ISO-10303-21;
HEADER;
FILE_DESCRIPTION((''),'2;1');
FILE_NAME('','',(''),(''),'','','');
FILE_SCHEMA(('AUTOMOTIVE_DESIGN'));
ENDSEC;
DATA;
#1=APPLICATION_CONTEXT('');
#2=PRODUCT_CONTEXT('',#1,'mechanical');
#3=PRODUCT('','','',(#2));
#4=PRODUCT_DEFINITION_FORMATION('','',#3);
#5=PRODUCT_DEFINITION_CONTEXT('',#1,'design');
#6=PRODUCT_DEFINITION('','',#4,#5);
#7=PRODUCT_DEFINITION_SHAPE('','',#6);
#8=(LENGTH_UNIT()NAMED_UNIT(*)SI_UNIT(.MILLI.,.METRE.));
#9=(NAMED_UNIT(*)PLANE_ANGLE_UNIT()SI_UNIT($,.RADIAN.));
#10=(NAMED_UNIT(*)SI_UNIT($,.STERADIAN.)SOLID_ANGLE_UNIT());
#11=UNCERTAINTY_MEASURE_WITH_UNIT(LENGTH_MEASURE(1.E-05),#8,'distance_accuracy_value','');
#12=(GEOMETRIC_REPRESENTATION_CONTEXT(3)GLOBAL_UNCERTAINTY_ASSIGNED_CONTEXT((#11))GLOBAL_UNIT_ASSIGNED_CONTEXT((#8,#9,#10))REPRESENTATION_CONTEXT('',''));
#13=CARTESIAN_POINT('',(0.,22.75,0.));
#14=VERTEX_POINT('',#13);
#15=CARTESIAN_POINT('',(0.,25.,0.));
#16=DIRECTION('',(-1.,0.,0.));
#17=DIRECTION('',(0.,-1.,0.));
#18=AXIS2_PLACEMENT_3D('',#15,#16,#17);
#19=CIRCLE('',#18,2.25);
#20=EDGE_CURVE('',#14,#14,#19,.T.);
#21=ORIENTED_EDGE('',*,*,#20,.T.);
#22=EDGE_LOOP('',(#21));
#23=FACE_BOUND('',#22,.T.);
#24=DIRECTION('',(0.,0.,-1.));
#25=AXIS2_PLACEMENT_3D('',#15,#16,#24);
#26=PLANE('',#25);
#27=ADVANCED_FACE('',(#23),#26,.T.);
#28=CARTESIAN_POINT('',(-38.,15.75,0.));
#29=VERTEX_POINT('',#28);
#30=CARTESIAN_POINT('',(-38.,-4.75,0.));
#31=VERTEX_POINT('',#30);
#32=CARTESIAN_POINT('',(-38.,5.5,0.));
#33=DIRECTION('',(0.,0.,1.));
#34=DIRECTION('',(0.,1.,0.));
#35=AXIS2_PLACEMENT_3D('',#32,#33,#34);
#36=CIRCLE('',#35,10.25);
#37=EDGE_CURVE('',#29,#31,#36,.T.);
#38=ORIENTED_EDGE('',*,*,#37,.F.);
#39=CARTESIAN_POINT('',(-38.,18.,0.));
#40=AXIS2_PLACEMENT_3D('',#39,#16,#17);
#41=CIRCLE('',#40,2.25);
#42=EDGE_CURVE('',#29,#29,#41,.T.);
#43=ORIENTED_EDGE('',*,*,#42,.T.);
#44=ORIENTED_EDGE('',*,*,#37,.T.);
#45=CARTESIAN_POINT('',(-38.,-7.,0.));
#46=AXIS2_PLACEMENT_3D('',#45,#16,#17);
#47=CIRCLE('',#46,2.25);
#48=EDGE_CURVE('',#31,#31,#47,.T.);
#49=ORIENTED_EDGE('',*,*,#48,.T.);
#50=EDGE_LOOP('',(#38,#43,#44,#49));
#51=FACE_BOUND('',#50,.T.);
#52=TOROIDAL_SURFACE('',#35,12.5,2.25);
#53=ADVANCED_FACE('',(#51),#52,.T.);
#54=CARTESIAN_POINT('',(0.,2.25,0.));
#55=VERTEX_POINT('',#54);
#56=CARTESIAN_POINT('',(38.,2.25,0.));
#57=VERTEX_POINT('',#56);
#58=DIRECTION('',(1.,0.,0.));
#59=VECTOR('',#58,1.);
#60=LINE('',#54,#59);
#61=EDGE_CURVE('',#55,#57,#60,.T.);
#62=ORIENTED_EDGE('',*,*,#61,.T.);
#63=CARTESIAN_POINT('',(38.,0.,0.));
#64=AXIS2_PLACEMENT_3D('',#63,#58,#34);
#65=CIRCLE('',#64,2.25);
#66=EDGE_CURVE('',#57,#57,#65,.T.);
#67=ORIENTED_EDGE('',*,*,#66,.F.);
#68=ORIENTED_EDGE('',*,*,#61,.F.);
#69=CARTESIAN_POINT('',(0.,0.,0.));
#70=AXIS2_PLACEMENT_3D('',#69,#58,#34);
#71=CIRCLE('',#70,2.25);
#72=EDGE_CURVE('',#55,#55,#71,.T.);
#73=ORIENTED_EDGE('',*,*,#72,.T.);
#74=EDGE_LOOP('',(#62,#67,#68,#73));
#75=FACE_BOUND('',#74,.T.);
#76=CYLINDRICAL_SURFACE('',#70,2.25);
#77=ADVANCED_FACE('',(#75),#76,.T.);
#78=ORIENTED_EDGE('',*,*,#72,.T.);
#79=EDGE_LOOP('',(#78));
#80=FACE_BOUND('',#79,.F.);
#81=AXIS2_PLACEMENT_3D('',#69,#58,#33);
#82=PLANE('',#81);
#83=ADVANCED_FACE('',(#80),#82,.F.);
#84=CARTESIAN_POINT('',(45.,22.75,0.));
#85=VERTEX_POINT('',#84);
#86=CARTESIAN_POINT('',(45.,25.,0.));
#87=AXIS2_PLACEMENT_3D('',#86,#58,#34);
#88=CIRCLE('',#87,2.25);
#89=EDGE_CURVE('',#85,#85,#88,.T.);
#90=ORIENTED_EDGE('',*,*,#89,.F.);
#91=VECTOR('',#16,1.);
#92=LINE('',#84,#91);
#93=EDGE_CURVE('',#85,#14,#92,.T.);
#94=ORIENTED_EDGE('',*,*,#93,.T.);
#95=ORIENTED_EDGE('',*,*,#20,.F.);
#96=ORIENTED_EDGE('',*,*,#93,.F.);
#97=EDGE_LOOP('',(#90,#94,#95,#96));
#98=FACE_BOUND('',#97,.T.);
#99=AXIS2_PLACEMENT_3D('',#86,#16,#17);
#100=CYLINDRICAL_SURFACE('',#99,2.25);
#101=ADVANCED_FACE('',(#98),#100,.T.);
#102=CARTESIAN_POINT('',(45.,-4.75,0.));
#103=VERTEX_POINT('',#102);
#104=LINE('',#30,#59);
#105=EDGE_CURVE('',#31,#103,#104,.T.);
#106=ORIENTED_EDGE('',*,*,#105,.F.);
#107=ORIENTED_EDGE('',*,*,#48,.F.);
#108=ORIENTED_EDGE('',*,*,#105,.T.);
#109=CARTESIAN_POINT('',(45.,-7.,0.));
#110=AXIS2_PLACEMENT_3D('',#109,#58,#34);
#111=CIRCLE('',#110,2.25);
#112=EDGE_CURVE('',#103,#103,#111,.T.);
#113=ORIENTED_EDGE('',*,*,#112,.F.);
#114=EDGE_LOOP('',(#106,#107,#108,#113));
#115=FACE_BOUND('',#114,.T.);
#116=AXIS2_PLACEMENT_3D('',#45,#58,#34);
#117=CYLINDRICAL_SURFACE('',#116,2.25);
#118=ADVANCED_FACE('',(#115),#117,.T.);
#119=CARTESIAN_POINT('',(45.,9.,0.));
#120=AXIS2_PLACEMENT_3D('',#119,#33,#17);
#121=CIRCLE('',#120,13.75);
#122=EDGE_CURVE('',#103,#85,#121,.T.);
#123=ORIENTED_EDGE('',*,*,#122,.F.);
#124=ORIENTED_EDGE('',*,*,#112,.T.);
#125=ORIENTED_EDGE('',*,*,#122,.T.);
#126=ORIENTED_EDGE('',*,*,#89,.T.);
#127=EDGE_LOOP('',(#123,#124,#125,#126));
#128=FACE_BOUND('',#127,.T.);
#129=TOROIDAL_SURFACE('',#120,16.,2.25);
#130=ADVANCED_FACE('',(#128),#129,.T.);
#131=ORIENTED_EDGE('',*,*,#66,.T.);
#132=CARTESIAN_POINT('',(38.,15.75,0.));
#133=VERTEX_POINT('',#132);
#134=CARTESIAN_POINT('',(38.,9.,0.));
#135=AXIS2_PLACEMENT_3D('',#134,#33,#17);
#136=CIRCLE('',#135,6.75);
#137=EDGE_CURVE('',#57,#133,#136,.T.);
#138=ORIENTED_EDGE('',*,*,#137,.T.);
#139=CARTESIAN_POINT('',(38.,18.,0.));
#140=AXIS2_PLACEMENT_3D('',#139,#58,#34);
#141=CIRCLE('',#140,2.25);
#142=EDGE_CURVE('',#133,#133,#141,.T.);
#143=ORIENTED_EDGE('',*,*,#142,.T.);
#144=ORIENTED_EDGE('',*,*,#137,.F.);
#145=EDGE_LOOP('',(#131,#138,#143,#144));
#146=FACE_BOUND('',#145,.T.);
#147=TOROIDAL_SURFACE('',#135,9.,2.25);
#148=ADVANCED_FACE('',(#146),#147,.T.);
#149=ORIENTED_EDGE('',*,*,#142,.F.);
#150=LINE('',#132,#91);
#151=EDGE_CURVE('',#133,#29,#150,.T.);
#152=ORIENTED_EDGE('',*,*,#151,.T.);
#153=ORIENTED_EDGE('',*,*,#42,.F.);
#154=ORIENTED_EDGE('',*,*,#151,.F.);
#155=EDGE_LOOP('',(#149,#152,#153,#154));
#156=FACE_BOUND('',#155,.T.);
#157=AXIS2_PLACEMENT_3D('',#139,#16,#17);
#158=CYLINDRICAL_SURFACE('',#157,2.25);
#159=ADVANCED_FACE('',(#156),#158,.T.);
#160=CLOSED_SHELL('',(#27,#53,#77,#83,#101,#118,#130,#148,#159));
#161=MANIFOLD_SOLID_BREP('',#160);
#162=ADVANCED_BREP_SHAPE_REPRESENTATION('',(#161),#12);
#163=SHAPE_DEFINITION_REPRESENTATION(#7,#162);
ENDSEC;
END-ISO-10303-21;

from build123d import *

# Parameters (mm, degrees)
F0_R = 2.25


with BuildPart() as f2:
    # F2: sweep along a path in F1
    with BuildLine(Plane.XY) as f2_path:
        Line((0, 0), (38, 0))
        ThreePointArc((38, 0), (47, 9), (38, 18))
        Line((38, 18), (-38, 18))
        ThreePointArc((-38, 18), (-50.5, 5.5), (-38, -7))
        Line((-38, -7), (45, -7))
        ThreePointArc((45, -7), (61, 9), (45, 25))
        Line((45, 25), (0, 25))
    # F0 (on Right) → F2 (sweep)
    with BuildSketch(Plane.YZ):
        Circle(F0_R)
    sweep(path=f2_path.line)


solid = f2.part
